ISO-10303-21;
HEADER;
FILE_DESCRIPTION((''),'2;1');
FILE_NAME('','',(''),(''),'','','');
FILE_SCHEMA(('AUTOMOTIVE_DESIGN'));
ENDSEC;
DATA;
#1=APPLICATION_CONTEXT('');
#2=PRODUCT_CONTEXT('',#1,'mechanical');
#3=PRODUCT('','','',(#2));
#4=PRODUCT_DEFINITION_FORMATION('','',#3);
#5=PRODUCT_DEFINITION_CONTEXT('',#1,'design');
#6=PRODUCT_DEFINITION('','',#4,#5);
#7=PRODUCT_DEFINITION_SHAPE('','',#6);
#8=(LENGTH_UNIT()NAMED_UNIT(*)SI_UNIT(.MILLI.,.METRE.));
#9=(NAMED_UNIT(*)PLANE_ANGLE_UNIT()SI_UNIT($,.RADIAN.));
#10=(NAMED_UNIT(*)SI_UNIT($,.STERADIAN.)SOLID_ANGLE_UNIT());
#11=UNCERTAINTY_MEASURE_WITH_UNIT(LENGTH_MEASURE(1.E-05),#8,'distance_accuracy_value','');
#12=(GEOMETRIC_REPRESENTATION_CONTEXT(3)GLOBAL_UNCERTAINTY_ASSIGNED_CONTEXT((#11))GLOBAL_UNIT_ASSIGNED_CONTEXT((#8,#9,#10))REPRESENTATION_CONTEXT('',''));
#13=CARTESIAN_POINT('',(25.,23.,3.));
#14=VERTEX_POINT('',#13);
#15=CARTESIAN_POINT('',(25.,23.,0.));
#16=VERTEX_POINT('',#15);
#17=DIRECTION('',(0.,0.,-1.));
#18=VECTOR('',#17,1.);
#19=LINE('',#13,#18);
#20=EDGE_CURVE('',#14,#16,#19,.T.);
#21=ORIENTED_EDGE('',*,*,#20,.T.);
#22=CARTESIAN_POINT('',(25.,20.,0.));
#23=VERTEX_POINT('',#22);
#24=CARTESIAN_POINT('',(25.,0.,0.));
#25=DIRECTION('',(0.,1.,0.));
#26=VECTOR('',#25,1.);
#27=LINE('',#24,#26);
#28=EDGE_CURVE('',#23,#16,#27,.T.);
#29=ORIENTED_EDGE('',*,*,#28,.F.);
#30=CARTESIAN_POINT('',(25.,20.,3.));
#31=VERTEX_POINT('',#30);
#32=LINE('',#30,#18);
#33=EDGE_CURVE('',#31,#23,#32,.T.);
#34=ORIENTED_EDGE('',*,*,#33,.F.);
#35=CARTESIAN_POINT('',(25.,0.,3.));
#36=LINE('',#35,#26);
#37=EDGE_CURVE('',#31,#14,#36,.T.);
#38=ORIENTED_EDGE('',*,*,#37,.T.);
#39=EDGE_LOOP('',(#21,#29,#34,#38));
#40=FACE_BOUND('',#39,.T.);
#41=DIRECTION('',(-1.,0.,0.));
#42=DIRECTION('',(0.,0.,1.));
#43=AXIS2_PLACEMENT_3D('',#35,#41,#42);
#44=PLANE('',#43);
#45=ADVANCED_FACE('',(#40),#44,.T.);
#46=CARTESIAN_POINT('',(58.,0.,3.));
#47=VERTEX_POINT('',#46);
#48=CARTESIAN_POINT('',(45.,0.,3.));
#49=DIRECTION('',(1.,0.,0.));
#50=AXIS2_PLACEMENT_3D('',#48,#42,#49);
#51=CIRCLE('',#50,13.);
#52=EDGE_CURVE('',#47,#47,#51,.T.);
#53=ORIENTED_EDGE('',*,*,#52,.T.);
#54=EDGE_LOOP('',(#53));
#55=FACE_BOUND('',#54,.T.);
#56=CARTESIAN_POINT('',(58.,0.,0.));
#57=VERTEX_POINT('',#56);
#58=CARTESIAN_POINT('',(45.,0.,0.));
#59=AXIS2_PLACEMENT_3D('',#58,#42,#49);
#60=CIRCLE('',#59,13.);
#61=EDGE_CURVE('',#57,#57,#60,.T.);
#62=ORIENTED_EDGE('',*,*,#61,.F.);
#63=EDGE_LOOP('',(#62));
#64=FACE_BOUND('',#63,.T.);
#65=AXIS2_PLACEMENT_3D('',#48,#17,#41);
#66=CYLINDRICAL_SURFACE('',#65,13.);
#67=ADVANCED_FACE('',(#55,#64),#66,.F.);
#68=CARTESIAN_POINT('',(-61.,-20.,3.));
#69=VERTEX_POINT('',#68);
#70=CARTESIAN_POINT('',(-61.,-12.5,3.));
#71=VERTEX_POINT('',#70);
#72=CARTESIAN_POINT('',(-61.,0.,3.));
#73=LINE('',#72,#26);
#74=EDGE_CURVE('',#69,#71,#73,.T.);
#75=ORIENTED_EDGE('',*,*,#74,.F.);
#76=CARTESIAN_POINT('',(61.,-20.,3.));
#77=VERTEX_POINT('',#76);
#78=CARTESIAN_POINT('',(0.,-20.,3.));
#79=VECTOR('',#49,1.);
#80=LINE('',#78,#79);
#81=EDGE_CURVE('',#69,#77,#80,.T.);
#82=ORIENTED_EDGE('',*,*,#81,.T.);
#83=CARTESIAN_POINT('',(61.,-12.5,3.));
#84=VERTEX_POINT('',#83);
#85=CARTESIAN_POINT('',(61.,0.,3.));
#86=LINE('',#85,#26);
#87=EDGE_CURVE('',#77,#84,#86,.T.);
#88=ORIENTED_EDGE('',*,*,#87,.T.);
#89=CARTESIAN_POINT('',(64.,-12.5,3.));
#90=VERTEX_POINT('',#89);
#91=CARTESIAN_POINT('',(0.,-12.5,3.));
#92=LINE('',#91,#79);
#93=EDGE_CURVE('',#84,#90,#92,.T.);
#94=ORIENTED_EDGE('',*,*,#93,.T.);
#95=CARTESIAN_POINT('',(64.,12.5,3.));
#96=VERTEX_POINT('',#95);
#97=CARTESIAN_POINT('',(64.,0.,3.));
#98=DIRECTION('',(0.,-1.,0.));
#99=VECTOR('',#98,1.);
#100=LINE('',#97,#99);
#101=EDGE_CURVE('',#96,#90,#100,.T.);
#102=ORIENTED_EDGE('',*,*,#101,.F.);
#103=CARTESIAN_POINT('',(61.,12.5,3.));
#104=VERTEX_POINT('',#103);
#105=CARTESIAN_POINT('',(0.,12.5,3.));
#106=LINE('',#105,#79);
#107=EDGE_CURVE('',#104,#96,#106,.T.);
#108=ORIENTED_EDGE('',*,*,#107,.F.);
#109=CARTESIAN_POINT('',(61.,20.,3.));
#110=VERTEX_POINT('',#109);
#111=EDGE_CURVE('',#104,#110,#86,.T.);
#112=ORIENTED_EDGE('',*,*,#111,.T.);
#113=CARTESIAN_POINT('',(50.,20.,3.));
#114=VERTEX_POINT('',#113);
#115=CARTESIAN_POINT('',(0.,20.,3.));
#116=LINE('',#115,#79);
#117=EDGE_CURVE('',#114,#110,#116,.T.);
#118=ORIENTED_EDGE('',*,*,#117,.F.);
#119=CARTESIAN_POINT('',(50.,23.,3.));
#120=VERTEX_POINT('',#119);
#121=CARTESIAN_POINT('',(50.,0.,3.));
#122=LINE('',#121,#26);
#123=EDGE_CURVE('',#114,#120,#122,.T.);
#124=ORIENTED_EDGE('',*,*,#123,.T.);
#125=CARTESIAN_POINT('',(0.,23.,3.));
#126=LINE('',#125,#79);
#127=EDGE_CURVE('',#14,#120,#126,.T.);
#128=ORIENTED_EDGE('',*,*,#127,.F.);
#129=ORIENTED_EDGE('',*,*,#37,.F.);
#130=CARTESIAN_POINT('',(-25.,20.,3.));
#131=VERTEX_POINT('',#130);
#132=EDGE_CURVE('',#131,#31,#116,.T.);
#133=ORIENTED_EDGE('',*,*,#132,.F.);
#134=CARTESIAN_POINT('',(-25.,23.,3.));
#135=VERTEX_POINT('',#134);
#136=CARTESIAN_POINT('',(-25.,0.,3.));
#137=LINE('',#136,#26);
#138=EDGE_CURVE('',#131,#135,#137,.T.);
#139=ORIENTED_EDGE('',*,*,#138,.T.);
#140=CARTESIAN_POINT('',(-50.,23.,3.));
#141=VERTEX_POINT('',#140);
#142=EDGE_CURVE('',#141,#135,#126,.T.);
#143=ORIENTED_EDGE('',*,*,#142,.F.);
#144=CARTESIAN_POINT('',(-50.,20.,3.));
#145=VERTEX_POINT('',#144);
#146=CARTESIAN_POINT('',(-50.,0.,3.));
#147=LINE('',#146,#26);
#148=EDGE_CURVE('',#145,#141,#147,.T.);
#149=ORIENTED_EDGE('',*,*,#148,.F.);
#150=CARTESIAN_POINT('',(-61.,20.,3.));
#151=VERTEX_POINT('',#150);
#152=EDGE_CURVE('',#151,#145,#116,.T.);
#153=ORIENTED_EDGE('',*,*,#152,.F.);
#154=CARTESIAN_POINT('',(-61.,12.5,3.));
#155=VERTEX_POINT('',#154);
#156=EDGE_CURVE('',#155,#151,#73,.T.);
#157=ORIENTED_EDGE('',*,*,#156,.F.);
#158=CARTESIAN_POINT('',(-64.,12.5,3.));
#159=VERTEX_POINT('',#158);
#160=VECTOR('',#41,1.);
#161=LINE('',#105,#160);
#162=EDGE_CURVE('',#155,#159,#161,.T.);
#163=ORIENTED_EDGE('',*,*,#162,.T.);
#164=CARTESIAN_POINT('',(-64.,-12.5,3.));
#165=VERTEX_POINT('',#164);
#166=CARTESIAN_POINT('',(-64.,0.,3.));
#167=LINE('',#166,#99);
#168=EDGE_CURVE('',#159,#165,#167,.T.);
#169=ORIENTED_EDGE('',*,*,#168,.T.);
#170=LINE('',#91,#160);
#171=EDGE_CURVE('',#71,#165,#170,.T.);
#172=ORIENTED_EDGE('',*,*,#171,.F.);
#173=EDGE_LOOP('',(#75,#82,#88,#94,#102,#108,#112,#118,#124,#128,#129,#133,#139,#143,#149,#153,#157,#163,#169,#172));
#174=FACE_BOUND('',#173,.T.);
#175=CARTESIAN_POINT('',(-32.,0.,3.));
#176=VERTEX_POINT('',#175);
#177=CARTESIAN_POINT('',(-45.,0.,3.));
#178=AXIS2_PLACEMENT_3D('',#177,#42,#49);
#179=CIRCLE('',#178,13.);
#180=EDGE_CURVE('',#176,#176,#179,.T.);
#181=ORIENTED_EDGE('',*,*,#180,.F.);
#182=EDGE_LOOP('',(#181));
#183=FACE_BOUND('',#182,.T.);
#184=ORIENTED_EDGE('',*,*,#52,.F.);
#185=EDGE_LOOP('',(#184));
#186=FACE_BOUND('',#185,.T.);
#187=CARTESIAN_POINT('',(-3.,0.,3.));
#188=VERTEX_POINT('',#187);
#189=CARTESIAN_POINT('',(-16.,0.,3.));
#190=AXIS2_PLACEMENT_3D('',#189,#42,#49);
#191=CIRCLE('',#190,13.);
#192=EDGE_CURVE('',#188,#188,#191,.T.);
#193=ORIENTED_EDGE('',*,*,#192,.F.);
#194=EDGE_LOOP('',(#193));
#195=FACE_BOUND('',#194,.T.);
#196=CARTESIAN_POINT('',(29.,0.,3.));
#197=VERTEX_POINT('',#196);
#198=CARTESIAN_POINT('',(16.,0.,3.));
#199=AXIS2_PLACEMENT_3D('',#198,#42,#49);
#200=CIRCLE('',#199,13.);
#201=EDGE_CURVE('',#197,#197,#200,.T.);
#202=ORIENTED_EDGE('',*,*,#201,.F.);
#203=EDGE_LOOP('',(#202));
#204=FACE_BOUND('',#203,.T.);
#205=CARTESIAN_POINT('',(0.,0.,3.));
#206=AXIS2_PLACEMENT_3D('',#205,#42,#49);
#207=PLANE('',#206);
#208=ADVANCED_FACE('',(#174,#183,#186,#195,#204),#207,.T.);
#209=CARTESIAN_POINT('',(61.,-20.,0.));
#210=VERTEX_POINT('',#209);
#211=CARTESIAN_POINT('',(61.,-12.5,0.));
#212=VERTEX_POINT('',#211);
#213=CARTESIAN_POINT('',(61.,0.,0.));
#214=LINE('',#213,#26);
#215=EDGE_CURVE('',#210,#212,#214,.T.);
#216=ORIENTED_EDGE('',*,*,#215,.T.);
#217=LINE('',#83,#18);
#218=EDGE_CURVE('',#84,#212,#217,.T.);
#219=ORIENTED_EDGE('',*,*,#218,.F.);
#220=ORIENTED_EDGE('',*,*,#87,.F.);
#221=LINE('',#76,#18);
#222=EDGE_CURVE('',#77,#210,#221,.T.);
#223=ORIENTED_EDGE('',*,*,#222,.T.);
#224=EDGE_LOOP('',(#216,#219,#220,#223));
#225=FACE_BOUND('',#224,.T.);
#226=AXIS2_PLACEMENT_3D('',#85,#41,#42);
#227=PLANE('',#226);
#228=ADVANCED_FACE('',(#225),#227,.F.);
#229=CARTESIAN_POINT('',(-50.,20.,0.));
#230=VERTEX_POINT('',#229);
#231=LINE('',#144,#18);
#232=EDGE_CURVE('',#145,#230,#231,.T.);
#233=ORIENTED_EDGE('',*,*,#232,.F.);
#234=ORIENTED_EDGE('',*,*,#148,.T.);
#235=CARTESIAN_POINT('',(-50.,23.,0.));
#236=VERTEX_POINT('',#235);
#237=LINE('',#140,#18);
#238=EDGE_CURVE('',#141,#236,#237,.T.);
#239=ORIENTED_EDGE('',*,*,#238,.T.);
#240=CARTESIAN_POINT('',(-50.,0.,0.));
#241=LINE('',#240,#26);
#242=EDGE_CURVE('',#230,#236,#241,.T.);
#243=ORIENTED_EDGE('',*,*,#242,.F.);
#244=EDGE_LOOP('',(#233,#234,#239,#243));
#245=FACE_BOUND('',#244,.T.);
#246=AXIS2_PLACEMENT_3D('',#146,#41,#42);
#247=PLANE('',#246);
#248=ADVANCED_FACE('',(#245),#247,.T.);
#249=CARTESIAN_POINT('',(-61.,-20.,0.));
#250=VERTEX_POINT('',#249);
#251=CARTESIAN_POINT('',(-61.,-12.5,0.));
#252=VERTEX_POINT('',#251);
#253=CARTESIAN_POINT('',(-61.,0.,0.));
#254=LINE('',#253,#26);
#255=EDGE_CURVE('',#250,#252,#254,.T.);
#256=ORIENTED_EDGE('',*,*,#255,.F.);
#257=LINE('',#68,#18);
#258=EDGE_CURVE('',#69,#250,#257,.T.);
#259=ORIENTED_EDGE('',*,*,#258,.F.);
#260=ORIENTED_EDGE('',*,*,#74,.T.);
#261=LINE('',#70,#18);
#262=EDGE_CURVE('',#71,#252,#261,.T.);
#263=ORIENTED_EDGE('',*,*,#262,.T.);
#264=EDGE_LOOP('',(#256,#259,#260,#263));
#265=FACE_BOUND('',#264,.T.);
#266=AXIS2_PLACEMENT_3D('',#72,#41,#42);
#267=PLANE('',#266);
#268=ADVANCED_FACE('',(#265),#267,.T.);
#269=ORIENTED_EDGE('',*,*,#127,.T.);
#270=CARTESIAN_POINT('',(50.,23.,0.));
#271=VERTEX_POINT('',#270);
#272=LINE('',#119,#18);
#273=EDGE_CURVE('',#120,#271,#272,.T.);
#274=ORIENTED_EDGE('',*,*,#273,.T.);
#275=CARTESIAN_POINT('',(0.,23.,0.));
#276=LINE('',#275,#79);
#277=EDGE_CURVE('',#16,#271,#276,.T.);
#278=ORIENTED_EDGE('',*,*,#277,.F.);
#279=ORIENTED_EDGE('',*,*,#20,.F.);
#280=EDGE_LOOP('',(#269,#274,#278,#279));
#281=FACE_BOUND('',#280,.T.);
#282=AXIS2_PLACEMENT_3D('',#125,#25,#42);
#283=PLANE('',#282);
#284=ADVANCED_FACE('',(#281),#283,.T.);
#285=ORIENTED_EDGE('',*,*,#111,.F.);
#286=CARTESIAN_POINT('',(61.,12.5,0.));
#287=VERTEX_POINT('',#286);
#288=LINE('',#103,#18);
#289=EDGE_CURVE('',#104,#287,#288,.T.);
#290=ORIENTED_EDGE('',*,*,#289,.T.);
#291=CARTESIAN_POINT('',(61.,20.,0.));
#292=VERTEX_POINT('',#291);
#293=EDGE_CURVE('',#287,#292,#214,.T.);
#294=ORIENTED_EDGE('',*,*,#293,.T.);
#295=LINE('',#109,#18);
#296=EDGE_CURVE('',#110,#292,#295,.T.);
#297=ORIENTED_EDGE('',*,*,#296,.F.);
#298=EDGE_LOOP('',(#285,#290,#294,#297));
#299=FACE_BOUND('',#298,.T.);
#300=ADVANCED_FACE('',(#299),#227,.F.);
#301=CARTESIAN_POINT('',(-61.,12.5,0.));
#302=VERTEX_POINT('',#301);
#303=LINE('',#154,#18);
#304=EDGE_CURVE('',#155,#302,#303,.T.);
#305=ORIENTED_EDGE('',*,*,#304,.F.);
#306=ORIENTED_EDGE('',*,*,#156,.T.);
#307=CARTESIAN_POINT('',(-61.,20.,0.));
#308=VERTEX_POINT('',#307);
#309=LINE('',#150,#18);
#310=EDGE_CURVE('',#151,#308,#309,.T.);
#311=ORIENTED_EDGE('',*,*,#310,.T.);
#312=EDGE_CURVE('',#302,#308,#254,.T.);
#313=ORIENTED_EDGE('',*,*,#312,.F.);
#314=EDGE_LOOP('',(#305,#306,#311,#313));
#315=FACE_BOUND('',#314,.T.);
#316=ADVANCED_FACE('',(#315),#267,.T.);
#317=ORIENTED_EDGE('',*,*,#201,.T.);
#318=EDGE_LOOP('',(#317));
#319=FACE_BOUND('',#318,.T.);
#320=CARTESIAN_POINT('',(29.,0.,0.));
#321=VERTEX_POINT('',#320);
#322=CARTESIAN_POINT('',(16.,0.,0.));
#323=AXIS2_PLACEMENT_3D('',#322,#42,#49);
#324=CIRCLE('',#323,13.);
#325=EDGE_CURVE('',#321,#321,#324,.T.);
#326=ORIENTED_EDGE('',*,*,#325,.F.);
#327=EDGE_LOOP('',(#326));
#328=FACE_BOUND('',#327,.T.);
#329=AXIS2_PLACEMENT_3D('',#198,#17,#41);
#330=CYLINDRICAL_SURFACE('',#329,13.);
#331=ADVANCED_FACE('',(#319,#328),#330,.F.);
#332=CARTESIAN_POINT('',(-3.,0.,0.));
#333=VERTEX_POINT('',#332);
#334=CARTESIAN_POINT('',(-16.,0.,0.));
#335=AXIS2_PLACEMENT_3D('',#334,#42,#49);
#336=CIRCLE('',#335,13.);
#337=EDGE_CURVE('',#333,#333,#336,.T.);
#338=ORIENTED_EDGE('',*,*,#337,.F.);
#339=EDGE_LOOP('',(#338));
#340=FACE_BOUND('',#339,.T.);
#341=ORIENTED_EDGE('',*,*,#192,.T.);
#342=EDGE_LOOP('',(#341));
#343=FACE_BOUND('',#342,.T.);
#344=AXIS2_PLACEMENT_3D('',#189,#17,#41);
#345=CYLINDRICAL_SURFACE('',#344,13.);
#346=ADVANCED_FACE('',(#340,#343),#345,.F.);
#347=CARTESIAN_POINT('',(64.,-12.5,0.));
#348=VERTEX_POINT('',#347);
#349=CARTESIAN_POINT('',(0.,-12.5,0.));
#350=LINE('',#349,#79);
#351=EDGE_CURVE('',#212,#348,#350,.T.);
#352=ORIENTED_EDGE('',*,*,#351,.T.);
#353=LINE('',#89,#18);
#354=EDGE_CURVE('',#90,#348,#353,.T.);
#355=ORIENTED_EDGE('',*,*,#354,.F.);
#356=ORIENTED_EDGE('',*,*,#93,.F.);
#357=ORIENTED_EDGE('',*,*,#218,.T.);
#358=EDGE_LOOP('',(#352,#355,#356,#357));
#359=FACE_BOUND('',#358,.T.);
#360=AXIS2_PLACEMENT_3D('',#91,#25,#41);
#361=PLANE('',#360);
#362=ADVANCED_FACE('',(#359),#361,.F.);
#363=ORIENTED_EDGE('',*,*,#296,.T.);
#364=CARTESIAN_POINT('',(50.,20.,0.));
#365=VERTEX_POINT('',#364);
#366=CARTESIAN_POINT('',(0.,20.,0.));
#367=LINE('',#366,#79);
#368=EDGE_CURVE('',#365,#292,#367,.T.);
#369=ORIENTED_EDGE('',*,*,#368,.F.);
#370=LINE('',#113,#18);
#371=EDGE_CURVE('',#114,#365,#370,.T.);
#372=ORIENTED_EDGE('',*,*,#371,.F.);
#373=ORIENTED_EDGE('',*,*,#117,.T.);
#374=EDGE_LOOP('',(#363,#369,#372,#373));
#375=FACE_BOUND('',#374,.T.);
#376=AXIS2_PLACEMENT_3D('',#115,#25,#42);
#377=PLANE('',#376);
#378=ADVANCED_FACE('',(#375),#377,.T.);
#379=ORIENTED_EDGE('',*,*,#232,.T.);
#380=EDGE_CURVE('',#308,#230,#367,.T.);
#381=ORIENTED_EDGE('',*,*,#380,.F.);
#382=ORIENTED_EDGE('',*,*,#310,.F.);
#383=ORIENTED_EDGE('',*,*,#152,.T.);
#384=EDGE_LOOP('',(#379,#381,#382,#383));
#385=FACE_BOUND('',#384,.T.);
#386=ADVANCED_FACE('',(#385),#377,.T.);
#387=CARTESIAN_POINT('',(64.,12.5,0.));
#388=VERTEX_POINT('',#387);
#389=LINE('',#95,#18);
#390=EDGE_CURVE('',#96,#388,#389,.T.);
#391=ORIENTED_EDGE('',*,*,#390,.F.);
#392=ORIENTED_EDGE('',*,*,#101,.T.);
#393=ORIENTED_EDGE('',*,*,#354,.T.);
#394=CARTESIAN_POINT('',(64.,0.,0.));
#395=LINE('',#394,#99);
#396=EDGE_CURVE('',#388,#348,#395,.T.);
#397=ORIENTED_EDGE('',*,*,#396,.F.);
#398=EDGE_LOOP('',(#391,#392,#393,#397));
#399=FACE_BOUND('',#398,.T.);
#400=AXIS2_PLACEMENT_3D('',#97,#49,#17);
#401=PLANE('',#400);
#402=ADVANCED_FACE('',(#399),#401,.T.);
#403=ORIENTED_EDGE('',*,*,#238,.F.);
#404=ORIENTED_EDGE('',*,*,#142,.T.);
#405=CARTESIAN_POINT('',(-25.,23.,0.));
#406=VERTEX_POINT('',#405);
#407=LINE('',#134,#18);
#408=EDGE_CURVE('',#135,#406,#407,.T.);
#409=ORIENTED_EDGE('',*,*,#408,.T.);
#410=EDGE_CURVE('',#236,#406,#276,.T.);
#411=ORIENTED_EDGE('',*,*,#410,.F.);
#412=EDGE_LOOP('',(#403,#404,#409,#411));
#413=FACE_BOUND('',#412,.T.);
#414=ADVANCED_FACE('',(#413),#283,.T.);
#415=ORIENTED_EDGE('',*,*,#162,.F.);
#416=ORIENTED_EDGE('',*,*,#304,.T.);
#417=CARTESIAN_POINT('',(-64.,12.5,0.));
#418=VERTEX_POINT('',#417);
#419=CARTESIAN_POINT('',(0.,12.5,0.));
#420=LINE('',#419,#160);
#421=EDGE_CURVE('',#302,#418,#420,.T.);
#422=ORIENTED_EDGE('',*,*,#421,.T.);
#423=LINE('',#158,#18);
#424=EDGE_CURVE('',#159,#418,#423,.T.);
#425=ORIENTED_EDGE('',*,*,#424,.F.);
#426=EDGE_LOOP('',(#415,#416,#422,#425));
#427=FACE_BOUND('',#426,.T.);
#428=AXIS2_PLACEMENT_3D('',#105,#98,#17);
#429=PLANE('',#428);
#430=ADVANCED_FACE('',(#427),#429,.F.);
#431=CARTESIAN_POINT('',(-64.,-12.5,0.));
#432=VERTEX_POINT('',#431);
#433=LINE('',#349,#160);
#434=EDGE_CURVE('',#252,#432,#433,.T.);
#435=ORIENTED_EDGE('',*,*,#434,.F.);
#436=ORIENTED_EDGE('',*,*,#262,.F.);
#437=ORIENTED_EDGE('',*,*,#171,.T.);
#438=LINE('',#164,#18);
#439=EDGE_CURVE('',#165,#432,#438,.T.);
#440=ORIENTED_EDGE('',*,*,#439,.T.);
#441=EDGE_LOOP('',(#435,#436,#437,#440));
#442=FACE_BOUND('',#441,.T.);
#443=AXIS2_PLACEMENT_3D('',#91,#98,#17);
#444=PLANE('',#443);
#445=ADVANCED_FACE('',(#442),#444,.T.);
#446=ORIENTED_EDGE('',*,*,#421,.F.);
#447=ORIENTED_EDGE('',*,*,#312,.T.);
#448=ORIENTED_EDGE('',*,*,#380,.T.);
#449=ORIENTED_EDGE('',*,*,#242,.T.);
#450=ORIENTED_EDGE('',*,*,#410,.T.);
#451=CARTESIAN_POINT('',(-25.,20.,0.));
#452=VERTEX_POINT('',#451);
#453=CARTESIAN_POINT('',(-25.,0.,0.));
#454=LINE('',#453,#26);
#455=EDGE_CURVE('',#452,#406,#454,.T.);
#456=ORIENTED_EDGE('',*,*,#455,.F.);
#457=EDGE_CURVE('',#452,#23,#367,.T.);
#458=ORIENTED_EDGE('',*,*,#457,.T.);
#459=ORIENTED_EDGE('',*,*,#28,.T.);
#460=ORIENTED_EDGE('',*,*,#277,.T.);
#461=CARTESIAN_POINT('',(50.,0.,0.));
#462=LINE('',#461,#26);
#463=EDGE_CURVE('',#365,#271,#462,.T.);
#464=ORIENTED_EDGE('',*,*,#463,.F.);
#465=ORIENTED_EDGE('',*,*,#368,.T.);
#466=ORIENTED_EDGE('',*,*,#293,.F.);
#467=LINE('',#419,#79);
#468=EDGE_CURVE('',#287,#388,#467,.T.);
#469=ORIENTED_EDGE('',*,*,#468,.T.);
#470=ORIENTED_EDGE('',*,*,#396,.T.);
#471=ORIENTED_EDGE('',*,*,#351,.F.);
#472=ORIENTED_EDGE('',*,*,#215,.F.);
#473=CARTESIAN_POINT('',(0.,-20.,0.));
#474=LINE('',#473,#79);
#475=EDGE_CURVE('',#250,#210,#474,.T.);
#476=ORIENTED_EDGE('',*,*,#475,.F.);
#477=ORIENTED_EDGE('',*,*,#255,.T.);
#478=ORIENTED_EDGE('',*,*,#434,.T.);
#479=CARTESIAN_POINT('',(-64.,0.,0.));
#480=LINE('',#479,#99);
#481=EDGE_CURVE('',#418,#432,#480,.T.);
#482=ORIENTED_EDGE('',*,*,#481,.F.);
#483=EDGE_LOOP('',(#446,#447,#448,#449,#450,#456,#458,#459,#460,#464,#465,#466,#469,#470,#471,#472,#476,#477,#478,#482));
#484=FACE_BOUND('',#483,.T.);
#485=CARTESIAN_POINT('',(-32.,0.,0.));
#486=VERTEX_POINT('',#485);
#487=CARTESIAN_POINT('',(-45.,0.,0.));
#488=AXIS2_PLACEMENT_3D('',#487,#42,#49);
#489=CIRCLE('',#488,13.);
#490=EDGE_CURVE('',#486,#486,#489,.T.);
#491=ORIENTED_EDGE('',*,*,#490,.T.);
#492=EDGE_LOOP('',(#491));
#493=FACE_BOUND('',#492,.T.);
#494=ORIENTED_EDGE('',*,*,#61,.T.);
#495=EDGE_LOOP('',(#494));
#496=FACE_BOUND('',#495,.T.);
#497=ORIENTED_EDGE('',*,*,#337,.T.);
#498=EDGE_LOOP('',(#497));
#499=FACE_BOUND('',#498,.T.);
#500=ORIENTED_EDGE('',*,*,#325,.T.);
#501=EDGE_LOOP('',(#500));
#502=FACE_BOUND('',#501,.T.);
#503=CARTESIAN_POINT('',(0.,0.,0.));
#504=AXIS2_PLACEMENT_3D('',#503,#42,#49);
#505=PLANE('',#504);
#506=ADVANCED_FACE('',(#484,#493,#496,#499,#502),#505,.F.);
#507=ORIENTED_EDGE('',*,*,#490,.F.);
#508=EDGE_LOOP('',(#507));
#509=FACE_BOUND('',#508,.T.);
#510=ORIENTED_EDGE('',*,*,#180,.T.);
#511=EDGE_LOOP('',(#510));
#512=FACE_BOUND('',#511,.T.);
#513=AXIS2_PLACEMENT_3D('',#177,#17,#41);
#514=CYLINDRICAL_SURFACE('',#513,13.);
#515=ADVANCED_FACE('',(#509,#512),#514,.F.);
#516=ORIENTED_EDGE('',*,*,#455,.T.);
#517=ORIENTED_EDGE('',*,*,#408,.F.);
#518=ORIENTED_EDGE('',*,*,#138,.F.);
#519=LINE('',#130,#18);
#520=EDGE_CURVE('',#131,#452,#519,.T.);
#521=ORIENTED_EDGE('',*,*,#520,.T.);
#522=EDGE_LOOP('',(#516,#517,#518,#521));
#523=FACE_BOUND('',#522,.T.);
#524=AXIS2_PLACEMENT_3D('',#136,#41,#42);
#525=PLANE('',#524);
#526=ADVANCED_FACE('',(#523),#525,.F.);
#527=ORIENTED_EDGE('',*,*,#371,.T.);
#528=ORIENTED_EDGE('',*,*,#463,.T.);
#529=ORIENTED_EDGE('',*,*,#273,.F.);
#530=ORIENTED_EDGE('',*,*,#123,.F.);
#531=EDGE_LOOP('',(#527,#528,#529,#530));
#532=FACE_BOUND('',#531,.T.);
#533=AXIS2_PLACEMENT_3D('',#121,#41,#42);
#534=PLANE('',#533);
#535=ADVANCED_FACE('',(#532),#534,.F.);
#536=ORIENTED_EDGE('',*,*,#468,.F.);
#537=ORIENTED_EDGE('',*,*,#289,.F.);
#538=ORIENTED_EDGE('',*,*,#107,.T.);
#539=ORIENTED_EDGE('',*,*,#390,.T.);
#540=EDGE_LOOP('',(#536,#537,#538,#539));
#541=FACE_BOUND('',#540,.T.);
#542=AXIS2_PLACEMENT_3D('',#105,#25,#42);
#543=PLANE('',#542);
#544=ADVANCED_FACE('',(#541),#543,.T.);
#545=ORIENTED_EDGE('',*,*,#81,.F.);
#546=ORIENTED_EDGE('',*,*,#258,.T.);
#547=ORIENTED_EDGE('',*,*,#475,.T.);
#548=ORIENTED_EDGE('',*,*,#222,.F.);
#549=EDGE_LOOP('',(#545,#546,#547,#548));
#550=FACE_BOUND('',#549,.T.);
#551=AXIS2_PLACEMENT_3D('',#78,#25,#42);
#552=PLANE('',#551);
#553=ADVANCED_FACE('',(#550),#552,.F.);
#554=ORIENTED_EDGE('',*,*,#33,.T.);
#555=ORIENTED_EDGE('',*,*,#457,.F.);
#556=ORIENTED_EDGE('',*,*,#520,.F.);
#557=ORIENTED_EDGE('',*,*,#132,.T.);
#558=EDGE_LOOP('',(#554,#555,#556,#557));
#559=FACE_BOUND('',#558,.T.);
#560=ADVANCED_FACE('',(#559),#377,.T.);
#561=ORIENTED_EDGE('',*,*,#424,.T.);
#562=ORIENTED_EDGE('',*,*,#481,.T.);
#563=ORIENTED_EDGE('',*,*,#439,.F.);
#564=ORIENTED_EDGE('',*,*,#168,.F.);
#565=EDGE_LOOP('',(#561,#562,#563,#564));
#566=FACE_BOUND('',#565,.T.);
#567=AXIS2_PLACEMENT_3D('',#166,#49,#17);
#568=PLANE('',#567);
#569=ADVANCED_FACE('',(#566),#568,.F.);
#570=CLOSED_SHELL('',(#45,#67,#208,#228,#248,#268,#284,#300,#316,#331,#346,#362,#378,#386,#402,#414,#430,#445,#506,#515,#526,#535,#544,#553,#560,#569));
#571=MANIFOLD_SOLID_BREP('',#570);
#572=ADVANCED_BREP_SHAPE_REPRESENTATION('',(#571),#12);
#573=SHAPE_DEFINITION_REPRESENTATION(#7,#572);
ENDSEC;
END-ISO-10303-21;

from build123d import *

# Parameters (mm, degrees)
SKETCH1_R           = 13
BOSS_EXTRUDE1_DEPTH = 3


with BuildPart() as part:
    # Sketch1 → Boss-Extrude1 (new body)
    with BuildSketch(Plane.XY):
        Polygon((-61, -12.5), (-61, -20), (61, -20), (61, -12.5), (64, -12.5), (64, 12.5), (61, 12.5), (61, 20), (50, 20), (50, 23), (25, 23), (25, 20), (-25, 20), (-25, 23), (-50, 23), (-50, 20), (-61, 20), (-61, 12.5), (-64, 12.5), (-64, -12.5), align=None)
        with Locations((-45, 0)):
            Circle(SKETCH1_R, mode=Mode.SUBTRACT)
        with Locations((-16, 0)):
            Circle(SKETCH1_R, mode=Mode.SUBTRACT)
        with Locations((16, 0)):
            Circle(SKETCH1_R, mode=Mode.SUBTRACT)
        with Locations((45, 0)):
            Circle(SKETCH1_R, mode=Mode.SUBTRACT)
    extrude(amount=BOSS_EXTRUDE1_DEPTH)


solid = part.part
